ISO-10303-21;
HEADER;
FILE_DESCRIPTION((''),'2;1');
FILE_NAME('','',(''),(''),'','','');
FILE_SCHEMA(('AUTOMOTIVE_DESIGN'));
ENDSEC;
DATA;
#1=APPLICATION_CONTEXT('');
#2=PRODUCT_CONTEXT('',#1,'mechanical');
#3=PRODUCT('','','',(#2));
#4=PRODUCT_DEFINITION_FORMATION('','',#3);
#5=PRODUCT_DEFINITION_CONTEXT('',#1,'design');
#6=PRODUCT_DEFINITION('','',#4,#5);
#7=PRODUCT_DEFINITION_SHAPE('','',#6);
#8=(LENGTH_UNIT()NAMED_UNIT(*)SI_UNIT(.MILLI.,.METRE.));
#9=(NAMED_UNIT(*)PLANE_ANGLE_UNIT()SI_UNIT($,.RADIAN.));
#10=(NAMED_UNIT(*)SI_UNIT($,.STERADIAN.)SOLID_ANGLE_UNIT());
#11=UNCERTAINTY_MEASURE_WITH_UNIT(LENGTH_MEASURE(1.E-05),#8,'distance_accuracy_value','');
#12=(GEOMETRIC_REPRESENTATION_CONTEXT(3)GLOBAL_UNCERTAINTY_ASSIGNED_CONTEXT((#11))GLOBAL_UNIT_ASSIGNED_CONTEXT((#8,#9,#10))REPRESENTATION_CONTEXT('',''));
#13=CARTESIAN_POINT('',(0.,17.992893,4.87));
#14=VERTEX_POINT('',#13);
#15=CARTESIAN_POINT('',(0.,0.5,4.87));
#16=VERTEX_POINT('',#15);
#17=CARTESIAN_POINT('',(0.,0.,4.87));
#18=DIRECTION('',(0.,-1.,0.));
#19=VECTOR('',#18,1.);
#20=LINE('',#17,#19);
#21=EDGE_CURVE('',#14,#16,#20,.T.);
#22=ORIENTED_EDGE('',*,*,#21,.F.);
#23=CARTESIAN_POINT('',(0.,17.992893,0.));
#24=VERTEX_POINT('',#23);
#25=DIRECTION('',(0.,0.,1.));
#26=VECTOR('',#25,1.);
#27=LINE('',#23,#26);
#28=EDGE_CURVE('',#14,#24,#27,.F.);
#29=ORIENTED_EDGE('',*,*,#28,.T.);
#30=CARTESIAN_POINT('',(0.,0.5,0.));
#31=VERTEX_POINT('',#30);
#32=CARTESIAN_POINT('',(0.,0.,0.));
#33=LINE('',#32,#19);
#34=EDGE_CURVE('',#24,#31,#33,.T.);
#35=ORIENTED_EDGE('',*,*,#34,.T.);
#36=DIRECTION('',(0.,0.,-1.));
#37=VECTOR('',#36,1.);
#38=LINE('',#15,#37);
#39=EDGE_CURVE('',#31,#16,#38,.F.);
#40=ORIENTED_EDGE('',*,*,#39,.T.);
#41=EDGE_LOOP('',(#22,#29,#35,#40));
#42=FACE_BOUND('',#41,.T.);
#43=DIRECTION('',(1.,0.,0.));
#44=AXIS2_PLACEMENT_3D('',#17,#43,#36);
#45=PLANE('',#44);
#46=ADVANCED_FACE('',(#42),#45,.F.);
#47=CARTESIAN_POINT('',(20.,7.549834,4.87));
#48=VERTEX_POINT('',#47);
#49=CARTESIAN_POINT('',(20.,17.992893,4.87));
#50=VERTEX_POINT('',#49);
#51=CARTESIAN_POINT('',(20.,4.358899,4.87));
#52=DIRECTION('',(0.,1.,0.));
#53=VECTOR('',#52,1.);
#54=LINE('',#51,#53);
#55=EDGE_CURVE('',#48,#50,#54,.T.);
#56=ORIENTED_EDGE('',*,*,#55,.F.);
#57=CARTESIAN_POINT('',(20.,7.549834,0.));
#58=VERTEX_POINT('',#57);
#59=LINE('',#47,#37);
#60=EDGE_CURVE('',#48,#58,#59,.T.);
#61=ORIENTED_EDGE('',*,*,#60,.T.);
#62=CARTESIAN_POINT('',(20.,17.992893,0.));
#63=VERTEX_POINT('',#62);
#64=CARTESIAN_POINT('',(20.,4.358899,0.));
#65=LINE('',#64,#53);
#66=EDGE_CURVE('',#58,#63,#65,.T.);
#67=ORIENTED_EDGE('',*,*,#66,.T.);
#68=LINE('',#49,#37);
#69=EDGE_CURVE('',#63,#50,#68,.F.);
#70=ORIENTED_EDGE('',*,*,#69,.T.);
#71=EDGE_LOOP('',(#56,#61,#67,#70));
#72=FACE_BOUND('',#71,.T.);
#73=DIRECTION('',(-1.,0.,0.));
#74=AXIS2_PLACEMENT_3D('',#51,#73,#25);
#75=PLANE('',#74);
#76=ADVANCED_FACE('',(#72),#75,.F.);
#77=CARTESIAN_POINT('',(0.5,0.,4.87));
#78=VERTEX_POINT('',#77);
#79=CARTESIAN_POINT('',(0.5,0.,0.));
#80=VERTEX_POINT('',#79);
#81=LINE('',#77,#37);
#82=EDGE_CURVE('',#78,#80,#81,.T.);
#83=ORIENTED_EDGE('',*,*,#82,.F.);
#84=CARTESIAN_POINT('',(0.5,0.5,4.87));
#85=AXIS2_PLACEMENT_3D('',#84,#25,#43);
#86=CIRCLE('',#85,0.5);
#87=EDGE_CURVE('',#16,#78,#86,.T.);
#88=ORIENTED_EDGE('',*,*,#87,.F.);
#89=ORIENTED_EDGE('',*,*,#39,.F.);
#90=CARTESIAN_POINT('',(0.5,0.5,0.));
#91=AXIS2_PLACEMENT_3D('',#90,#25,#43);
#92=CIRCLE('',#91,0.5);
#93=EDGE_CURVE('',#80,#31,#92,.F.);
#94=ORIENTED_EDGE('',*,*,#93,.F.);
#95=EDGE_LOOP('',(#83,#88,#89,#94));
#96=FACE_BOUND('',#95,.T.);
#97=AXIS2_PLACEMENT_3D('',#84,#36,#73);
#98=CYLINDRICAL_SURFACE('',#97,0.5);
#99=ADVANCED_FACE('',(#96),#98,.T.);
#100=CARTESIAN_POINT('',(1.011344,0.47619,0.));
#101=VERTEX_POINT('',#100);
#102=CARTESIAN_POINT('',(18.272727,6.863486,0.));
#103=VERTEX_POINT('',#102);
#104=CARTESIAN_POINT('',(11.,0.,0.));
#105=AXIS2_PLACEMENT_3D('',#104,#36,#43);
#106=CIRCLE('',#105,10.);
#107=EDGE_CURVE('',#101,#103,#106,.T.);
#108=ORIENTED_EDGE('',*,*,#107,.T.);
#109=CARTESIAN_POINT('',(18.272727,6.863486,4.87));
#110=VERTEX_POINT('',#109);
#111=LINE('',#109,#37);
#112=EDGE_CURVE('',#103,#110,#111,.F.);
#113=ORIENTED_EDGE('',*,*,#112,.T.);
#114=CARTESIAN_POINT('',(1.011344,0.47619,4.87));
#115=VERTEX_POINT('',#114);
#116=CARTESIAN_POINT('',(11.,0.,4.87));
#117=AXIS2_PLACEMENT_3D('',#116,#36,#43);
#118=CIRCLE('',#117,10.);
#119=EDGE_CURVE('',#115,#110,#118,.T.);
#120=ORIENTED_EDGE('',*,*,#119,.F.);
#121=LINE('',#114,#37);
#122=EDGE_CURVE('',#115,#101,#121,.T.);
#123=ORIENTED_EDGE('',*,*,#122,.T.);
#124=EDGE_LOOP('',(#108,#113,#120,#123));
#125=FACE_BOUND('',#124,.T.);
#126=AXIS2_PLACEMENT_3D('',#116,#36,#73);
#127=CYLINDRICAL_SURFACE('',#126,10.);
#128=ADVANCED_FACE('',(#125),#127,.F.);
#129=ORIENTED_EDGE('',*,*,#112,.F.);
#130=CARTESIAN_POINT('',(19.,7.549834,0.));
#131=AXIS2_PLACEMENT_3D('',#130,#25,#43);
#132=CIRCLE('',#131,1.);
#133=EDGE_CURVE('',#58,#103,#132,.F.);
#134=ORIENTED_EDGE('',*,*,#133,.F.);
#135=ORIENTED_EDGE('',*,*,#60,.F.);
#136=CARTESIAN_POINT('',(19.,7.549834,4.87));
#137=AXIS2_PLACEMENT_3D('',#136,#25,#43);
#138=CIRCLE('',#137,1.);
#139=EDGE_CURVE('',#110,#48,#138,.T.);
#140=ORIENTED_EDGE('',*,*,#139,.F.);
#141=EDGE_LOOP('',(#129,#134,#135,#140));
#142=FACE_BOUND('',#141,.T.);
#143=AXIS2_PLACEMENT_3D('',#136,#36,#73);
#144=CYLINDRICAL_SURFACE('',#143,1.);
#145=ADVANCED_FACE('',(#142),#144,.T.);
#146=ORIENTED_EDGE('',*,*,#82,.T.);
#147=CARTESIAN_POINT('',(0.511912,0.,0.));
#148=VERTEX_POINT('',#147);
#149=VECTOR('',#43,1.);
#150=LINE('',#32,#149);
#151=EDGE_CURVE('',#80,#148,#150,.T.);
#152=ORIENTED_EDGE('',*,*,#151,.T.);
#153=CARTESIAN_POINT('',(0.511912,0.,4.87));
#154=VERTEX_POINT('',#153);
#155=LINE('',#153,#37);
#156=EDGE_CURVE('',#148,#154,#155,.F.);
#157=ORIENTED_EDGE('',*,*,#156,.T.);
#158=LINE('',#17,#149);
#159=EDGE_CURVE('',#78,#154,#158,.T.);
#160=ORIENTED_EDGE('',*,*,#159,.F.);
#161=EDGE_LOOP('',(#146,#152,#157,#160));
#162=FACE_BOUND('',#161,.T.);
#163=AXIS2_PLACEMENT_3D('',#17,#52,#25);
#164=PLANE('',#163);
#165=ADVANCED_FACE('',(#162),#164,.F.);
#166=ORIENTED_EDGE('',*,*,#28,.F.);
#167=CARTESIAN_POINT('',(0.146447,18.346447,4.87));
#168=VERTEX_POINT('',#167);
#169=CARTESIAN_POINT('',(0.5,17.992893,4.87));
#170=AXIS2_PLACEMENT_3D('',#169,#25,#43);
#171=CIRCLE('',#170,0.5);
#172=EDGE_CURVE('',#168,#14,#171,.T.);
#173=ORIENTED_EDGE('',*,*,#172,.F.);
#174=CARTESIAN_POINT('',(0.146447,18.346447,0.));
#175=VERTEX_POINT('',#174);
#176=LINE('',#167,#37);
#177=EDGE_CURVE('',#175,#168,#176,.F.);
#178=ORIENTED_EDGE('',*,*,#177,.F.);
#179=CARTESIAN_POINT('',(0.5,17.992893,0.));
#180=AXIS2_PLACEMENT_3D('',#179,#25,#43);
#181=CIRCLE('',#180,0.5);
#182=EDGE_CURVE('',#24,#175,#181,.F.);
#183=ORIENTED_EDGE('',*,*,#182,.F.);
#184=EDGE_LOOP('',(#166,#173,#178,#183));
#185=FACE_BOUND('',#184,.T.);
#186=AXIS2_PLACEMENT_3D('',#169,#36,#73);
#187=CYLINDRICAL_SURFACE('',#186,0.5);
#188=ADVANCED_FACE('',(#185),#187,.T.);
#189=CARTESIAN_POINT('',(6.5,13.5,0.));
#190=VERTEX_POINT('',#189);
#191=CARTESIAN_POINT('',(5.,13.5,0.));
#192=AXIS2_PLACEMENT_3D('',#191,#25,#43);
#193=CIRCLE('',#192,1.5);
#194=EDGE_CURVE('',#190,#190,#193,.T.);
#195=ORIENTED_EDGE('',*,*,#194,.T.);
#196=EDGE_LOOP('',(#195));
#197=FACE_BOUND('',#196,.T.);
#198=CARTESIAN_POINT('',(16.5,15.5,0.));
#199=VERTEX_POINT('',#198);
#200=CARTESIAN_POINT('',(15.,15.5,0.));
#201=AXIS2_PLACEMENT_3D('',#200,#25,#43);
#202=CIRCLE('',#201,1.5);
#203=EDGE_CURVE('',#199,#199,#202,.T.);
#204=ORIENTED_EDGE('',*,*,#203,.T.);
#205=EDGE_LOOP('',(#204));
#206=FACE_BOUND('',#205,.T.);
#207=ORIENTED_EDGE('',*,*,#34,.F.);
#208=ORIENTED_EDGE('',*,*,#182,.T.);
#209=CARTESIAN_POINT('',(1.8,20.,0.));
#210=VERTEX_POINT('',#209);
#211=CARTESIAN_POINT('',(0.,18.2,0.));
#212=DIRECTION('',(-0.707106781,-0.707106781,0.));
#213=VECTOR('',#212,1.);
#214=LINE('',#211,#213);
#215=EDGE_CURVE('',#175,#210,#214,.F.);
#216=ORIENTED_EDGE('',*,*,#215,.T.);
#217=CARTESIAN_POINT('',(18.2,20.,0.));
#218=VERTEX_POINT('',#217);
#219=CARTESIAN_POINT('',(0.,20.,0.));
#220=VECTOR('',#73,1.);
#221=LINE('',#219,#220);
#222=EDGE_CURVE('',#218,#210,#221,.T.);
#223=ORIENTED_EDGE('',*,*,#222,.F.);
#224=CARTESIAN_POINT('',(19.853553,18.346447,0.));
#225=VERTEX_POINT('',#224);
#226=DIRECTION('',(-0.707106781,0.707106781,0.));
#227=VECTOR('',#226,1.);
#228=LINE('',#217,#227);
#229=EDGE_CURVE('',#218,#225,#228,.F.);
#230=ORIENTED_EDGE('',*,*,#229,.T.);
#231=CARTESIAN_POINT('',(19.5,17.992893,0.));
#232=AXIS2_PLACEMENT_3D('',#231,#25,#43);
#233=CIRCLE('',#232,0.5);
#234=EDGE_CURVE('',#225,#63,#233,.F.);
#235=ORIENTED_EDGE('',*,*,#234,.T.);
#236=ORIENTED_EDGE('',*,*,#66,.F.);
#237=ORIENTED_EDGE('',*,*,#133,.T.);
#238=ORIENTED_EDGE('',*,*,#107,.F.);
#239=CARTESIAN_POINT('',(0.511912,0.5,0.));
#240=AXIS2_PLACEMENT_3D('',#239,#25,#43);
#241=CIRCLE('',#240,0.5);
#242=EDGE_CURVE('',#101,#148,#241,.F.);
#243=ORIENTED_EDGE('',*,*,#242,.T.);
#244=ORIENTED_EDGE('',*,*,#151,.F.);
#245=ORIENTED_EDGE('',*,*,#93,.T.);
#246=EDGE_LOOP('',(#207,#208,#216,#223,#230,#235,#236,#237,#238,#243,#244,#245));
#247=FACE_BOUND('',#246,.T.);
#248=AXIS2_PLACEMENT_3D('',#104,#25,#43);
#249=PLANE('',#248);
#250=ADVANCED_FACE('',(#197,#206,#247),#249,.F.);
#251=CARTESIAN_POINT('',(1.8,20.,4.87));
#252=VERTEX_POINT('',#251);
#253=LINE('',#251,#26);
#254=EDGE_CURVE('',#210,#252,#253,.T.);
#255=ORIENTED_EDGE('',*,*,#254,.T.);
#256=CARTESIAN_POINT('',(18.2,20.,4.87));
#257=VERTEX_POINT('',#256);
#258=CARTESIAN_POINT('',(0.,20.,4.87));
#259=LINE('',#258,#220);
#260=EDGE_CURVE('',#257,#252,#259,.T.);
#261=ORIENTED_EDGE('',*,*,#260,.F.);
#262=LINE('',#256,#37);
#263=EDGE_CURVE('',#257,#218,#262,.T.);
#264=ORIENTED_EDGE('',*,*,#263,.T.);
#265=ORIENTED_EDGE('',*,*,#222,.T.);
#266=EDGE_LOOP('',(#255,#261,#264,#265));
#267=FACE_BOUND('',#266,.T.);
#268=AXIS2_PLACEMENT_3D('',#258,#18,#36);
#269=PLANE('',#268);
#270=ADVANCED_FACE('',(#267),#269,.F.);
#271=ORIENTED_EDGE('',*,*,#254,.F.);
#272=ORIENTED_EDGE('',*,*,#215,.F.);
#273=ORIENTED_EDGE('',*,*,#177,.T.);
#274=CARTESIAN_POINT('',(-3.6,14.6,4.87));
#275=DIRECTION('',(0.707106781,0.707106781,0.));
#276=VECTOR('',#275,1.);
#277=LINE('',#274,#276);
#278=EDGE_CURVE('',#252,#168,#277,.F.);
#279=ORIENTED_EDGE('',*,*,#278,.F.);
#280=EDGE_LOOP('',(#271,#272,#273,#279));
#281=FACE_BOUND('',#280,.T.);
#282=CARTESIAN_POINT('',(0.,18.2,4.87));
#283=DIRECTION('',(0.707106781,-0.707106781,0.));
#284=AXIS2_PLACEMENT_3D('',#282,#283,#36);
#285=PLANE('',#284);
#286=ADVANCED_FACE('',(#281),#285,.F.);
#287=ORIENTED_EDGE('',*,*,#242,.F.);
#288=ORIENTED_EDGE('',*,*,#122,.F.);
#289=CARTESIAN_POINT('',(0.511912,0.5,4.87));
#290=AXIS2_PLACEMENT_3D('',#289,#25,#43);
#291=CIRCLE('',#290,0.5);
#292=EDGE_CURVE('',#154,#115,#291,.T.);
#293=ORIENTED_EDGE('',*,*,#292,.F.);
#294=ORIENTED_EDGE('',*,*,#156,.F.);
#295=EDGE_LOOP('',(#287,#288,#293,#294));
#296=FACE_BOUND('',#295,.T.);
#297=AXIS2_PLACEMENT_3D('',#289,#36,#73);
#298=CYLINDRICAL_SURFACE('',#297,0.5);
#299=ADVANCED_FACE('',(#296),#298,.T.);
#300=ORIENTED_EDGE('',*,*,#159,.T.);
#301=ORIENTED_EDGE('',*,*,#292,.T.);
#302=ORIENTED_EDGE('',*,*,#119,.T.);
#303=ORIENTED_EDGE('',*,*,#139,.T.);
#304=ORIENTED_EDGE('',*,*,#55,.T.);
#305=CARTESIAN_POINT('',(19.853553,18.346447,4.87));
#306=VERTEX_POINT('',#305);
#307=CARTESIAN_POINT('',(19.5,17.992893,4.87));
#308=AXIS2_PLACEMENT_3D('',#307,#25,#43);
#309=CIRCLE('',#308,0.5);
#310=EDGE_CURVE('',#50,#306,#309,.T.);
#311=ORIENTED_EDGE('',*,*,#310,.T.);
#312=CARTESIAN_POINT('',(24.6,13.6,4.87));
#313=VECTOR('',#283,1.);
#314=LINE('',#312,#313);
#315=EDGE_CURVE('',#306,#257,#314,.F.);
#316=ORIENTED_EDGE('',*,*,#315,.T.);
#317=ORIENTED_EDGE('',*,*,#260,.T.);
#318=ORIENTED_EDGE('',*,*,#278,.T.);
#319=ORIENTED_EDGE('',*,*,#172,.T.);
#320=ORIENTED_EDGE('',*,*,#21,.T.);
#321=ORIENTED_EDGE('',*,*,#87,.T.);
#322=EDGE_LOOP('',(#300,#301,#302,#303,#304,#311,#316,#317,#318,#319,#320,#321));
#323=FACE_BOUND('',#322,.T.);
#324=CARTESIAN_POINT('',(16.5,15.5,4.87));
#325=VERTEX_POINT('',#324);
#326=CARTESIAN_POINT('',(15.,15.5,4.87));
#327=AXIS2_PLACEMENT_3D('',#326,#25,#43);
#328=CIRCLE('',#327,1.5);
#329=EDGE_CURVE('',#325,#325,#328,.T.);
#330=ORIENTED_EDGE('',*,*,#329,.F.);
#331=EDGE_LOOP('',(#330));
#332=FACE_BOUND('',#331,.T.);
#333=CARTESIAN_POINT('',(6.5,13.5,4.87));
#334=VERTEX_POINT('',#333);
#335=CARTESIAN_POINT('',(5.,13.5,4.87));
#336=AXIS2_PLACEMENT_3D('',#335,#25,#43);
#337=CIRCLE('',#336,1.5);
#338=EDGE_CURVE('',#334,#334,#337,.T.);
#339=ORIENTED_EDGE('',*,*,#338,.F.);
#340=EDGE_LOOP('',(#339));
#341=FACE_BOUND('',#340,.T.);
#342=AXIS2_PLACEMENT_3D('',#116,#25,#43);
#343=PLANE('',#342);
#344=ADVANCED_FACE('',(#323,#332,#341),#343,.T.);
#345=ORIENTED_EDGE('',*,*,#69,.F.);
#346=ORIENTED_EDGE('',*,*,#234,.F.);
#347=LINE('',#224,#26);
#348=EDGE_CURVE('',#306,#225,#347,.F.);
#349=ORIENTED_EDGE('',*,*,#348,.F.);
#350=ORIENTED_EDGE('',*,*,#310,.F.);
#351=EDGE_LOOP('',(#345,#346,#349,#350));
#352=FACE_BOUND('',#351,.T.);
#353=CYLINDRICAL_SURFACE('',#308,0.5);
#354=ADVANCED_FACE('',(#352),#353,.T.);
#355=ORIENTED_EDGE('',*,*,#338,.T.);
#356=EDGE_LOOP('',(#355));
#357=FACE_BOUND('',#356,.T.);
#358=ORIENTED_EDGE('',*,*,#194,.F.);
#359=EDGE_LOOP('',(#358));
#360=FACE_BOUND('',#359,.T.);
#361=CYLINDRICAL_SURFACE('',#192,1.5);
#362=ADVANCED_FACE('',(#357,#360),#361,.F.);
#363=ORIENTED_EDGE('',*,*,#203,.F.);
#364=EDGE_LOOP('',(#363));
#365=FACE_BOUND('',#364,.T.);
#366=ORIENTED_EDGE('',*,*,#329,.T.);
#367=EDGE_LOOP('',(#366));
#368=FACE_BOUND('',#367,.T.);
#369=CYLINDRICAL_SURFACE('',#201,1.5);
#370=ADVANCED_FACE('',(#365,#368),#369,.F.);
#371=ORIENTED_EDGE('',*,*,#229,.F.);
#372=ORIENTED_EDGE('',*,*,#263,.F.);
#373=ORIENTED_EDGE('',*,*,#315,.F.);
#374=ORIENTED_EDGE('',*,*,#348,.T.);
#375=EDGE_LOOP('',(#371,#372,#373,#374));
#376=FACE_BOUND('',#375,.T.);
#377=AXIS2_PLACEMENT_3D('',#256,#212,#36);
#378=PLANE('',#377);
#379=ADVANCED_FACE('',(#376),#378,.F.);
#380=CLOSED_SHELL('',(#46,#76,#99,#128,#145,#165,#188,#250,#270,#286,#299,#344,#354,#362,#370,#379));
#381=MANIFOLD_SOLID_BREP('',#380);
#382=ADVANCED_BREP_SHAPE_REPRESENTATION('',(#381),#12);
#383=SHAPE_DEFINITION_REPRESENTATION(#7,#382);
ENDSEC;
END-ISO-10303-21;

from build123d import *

# Parameters (mm, degrees)
BOSS_EXTRUDE1_DEPTH = 4.87
SKETCH2_R           = 1.5
CUT_EXTRUDE1_DEPTH  = 4.87
CHAMFER1_SIZE       = 1.8
FILLET1_R           = 0.5
FILLET2_R           = 1


with BuildPart() as part:
    # Sketch1 → Boss-Extrude1 (new body)
    with BuildSketch(Plane.XY):
        with BuildLine():
            Line((0, 0), (1, 0))
            ThreePointArc((1, 0), (8.763932023, 9.746794345), (20, 4.358898944))
            Line((20, 4.358898944), (20, 20))
            Line((20, 20), (0, 20))
            Line((0, 20), (0, 0))
        make_face()
    extrude(amount=BOSS_EXTRUDE1_DEPTH)

    # Sketch2 → Cut-Extrude1 (cut)
    with BuildSketch(Plane.XY.offset(4.87)):
        with Locations((5, 13.5)):
            Circle(SKETCH2_R)
        with Locations((15, 15.5)):
            Circle(SKETCH2_R)
    extrude(amount=-CUT_EXTRUDE1_DEPTH, mode=Mode.SUBTRACT)

    # Chamfer1
    chamfer1_edges = [part.edges().sort_by_distance(p)[0] for p in [
        (0, 20, 2.435),
        (20, 20, 2.435),
    ]]
    chamfer(chamfer1_edges, length=CHAMFER1_SIZE)

    # Fillet1
    fillet1_edges = [part.edges().sort_by_distance(p)[0] for p in [
        (0, 18.2, 2.435),
        (20, 18.2, 2.435),
        (1, 0, 2.435),
        (0, 0, 2.435),
    ]]
    fillet(fillet1_edges, radius=FILLET1_R)

    # Fillet2
    fillet2_edges = [part.edges().sort_by_distance(p)[0] for p in [
        (20, 4.358898944, 2.435),
    ]]
    fillet(fillet2_edges, radius=FILLET2_R)


solid = part.part
